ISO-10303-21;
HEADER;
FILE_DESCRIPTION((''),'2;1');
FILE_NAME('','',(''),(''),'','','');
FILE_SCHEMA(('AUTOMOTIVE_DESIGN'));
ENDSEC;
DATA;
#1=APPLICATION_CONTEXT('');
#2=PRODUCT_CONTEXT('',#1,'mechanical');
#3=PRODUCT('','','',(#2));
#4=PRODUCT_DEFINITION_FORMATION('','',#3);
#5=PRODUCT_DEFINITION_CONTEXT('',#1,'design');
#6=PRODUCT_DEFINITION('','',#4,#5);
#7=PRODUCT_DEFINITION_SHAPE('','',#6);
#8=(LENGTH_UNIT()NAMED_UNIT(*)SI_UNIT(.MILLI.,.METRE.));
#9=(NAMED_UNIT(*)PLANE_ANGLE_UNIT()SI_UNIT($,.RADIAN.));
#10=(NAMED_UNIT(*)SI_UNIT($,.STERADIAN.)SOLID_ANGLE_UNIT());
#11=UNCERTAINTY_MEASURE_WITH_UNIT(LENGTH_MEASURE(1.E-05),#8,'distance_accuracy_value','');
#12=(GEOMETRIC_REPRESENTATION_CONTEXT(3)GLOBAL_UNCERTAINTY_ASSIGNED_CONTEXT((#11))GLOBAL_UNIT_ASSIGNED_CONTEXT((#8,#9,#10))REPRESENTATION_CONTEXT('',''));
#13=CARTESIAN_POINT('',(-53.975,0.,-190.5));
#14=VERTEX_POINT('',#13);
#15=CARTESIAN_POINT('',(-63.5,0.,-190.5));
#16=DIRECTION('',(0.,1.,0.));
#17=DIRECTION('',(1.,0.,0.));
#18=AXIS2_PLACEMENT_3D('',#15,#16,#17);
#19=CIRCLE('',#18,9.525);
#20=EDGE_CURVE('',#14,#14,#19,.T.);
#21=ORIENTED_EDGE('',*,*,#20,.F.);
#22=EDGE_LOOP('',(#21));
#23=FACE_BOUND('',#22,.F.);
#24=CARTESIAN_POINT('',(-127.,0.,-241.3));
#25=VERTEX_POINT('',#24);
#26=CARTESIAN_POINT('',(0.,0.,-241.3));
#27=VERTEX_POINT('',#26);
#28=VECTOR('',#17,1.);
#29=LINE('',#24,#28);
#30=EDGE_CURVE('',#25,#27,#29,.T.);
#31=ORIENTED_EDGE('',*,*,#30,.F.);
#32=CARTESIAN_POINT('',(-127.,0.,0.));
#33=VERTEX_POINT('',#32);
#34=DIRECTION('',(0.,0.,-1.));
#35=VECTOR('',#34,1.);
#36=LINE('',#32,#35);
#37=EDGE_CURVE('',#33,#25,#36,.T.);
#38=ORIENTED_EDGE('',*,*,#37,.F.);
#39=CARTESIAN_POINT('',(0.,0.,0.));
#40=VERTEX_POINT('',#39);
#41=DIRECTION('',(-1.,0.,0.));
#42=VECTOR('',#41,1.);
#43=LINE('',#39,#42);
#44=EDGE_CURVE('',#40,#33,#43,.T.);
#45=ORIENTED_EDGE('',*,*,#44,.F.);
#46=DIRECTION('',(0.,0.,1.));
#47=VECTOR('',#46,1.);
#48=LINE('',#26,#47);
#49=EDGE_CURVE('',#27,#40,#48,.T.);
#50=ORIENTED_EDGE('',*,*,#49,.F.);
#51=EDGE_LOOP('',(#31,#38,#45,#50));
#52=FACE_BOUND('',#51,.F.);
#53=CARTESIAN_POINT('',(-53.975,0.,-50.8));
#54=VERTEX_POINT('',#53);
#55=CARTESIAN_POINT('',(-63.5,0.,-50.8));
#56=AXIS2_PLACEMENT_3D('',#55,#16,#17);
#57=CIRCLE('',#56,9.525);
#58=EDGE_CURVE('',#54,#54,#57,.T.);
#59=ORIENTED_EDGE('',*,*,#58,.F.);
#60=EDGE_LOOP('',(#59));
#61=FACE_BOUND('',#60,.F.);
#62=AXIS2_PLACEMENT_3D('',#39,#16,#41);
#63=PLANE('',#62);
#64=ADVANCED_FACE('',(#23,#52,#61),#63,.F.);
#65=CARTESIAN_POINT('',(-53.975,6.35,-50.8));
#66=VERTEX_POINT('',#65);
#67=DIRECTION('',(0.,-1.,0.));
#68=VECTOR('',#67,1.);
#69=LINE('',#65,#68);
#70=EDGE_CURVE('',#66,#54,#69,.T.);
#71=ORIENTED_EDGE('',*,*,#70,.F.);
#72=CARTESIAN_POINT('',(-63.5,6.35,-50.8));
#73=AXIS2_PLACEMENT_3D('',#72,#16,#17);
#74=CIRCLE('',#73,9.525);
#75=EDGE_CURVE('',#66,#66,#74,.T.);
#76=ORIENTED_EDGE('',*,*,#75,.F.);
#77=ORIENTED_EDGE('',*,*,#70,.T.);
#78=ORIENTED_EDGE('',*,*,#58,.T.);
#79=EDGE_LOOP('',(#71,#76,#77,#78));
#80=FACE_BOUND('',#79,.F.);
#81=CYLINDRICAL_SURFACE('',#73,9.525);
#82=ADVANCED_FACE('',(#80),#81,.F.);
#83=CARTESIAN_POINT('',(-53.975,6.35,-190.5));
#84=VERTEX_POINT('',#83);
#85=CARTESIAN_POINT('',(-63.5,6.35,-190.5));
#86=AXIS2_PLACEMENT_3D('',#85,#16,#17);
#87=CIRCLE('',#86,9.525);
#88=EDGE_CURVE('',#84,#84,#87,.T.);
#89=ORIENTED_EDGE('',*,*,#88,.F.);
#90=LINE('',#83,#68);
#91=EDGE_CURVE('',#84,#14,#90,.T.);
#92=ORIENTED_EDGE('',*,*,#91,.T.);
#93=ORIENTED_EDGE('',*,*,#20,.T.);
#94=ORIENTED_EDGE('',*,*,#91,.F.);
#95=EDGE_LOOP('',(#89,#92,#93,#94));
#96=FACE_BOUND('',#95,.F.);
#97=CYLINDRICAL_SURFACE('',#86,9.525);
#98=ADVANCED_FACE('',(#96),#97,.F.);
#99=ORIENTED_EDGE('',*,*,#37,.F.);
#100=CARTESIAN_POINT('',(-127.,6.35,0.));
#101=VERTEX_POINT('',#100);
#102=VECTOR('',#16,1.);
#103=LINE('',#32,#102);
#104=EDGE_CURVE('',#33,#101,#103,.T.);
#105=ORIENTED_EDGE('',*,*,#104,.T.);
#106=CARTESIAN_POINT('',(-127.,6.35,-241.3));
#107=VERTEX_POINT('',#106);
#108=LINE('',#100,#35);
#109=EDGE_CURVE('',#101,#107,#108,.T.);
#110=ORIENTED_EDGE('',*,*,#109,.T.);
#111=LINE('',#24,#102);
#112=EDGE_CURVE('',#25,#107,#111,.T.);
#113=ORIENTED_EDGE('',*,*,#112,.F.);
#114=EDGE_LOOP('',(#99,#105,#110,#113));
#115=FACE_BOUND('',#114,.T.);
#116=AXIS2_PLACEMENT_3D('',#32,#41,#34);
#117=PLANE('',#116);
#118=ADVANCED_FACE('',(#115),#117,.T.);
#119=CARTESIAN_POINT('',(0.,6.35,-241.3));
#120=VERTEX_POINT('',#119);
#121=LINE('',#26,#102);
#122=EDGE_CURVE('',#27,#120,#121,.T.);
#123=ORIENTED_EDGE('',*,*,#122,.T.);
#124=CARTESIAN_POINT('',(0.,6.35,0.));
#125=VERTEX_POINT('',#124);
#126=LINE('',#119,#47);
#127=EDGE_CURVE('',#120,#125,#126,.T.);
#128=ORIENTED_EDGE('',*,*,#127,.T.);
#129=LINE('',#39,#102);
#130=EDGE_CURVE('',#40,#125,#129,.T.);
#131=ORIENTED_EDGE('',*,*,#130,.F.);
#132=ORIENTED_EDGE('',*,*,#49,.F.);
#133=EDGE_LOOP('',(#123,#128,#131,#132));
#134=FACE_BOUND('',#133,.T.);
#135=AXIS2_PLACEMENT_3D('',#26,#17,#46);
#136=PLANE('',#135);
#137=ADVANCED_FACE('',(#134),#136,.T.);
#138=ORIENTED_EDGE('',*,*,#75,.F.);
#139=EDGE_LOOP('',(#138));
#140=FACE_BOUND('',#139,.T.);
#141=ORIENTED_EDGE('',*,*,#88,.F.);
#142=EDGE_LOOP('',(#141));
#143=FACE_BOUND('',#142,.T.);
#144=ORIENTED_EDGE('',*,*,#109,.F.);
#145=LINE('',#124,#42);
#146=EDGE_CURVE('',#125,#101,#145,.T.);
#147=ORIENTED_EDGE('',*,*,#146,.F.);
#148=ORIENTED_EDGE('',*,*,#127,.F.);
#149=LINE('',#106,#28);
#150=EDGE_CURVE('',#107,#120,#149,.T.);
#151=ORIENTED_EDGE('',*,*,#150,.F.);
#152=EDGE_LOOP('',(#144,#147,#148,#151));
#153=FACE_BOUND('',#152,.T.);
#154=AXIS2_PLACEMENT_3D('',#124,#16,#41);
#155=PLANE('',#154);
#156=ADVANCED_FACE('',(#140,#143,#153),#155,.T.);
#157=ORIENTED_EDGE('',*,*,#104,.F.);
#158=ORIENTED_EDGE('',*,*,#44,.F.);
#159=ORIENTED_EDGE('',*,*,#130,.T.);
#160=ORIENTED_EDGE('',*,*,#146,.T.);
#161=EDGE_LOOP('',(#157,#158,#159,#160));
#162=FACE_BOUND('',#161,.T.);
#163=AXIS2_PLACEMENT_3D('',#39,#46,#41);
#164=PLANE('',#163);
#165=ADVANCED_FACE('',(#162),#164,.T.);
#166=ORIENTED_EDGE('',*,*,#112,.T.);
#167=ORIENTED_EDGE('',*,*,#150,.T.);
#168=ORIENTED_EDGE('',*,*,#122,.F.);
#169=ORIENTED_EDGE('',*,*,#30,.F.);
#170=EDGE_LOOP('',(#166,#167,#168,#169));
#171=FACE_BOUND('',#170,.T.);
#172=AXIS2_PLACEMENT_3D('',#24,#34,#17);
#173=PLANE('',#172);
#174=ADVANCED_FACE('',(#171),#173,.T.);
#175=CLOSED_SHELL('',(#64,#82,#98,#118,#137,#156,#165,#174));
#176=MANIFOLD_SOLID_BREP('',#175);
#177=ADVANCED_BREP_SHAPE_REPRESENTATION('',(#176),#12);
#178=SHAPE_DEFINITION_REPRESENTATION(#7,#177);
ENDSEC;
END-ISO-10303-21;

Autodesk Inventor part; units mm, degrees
ref_plane "YZ Plane" through (0, 0, 0) normal (1, 0, 0) x (0, 1, 0)
ref_plane "XZ Plane" through (0, 0, 0) normal (0, 1, 0) x (-1, 0, 0)
ref_plane "XY Plane" through (0, 0, 0) normal (0, 0, 1) x (1, 0, 0)
sketch "Sketch1" plane through (0, 0, 0) normal (0, 1, 0) x (-1, 0, 0)
  line L0 (0, 0) -> (127, 0)
  line L1 (127, 0) -> (127, -241.3)
  line L2 (127, -241.3) -> (0, -241.3)
  line L3 (0, -241.3) -> (0, 0)
  dimension "d0" = 127
  dimension "d1" = 241.3
extrude "Extrusion1" add sketch "Sketch1" along normal blind 6.35
sketch "Sketch2" plane through (0, 6.35, 0) normal (0, 1, 0) x (1, 0, 0)
  circle A0 centre (-63.5, 50.8) radius 9.525
  circle A1 centre (-63.5, 190.5) radius 9.525
  line L0 (-127, 0) -> (0, 0) projected
  line L1 (0, 241.3) -> (-127, 241.3) projected
  line L2 (-127, 241.3) -> (-127, 0) projected
  dimension "d4" = 19.05
  dimension "d5" = 19.05
  dimension "d6" = 50.8
  dimension "d7" = 50.8
  dimension "d8" = 63.5
  dimension "d9" = 63.5
extrude "Extrusion2" cut sketch "Sketch2" against normal blind 25.4
properties part number "Motor_Plate" material "Wood (Birch)"
